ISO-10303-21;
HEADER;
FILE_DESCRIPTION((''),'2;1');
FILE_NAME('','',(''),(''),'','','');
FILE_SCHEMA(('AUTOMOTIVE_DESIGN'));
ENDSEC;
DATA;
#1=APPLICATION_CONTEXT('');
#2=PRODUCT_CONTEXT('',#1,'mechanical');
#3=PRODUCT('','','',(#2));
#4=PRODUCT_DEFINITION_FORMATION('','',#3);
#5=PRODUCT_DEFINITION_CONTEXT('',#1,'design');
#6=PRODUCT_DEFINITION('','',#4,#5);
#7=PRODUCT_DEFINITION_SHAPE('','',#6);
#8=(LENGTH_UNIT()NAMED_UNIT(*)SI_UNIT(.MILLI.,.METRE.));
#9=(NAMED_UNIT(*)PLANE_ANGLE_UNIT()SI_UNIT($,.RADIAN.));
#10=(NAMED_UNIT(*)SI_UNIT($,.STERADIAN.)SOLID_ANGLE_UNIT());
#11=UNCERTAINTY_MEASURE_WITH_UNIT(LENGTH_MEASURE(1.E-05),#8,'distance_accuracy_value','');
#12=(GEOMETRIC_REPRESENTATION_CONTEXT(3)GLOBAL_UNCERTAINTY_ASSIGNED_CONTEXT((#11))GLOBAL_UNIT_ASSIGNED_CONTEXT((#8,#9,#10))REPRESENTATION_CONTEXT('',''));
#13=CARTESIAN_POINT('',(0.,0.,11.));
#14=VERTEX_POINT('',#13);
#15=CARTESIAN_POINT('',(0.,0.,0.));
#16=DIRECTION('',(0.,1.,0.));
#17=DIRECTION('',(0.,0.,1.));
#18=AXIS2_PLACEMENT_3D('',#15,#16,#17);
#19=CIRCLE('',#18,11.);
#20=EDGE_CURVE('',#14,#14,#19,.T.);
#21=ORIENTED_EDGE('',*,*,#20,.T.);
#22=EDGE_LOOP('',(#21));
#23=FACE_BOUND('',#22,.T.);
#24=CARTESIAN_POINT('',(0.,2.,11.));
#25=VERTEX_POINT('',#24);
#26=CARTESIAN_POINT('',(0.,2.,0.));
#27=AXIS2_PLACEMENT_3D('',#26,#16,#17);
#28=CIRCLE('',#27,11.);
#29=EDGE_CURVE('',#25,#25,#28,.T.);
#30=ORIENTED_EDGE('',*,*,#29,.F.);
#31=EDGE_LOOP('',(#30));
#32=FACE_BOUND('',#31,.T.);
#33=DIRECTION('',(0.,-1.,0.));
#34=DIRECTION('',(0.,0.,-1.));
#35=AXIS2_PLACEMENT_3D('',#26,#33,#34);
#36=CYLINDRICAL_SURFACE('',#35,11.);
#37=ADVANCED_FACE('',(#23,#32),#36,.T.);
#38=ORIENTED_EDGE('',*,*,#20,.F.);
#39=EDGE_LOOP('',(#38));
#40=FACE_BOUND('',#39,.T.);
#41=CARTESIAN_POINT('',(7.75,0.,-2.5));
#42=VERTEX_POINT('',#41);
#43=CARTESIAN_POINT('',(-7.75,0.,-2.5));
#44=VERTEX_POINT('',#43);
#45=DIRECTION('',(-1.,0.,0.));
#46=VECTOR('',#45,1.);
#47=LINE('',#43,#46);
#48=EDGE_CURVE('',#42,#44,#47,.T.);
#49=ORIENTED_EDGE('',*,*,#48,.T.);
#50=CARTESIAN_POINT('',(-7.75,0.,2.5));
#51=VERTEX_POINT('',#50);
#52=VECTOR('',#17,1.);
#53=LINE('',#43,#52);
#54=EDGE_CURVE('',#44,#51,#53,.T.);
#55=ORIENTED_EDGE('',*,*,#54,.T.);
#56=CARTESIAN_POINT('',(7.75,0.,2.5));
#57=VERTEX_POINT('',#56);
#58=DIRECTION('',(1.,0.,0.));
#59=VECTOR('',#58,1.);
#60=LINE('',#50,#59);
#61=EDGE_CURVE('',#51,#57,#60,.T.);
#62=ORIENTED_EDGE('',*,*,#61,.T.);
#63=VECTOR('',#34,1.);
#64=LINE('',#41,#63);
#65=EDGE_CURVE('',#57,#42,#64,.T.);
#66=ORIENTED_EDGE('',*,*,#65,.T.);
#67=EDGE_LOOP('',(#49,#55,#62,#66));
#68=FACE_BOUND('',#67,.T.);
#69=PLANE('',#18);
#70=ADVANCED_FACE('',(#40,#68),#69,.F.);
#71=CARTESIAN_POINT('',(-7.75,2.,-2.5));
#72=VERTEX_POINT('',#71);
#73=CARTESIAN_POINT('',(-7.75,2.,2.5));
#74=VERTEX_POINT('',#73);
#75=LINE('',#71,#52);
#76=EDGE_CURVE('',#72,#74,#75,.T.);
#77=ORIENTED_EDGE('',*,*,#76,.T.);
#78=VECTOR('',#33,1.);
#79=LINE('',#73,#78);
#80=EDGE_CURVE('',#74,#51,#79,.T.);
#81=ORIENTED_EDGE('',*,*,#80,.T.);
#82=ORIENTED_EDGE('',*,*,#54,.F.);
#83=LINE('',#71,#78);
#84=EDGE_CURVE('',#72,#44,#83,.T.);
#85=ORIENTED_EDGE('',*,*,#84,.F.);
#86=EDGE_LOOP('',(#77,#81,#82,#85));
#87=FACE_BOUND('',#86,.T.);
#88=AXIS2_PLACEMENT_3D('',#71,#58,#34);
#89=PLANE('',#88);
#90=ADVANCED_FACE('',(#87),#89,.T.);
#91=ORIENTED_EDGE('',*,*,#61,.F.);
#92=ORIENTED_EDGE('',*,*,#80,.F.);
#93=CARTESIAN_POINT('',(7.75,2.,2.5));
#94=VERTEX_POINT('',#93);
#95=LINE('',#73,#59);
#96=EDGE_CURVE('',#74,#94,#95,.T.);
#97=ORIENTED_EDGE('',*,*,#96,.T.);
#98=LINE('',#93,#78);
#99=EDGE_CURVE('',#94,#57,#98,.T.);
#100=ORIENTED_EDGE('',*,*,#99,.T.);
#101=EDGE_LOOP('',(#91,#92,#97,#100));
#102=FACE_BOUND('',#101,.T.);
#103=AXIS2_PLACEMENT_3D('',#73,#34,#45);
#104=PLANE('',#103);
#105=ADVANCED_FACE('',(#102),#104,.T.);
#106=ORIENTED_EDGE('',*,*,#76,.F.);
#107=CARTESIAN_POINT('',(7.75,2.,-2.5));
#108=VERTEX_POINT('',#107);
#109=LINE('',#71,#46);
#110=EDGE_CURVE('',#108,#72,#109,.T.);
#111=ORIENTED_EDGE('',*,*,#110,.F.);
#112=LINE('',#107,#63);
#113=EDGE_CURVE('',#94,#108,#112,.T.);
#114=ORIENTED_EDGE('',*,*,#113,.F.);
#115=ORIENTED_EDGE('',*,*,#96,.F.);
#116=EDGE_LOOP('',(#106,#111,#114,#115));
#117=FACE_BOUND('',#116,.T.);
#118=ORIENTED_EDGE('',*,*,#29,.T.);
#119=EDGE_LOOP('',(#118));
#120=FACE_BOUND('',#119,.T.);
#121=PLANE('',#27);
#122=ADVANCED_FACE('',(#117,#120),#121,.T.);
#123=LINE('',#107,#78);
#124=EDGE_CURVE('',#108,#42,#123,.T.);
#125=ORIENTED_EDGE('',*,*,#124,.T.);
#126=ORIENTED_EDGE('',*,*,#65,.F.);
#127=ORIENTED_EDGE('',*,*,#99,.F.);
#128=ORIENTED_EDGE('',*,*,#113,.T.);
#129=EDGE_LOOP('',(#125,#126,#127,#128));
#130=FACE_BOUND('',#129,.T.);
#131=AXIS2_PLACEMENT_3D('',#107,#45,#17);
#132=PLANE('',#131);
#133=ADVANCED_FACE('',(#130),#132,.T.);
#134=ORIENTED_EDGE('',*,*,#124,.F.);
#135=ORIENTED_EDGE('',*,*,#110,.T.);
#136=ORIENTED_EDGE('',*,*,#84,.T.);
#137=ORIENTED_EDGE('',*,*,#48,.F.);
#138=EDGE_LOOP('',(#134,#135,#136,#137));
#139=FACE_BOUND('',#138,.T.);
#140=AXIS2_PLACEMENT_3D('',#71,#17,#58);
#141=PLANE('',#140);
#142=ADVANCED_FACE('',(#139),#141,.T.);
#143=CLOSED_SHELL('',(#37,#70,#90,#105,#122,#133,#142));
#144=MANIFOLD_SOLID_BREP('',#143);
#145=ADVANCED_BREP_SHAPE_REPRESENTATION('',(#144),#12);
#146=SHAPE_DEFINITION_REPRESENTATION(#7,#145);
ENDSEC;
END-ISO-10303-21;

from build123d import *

# Parameters (mm, degrees)
SZKIC1_R                    = 11
SZKIC1_W                    = 15.5
SZKIC1_H                    = 5
DODANIE_WYCI_GNI_CIE1_DEPTH = 2


with BuildPart() as part:
    # Szkic1 → Dodanie-wyciągnięcie1 (new body)
    with BuildSketch(Plane(origin=(0, 0, 0), x_dir=(1, 0, 0), z_dir=(0, 1, 0))):
        with Locations(Location((0, 0, 0), (0, 0, 270))):
            Circle(SZKIC1_R)
        Rectangle(SZKIC1_W, SZKIC1_H, mode=Mode.SUBTRACT)
    extrude(amount=DODANIE_WYCI_GNI_CIE1_DEPTH)


solid = part.part
